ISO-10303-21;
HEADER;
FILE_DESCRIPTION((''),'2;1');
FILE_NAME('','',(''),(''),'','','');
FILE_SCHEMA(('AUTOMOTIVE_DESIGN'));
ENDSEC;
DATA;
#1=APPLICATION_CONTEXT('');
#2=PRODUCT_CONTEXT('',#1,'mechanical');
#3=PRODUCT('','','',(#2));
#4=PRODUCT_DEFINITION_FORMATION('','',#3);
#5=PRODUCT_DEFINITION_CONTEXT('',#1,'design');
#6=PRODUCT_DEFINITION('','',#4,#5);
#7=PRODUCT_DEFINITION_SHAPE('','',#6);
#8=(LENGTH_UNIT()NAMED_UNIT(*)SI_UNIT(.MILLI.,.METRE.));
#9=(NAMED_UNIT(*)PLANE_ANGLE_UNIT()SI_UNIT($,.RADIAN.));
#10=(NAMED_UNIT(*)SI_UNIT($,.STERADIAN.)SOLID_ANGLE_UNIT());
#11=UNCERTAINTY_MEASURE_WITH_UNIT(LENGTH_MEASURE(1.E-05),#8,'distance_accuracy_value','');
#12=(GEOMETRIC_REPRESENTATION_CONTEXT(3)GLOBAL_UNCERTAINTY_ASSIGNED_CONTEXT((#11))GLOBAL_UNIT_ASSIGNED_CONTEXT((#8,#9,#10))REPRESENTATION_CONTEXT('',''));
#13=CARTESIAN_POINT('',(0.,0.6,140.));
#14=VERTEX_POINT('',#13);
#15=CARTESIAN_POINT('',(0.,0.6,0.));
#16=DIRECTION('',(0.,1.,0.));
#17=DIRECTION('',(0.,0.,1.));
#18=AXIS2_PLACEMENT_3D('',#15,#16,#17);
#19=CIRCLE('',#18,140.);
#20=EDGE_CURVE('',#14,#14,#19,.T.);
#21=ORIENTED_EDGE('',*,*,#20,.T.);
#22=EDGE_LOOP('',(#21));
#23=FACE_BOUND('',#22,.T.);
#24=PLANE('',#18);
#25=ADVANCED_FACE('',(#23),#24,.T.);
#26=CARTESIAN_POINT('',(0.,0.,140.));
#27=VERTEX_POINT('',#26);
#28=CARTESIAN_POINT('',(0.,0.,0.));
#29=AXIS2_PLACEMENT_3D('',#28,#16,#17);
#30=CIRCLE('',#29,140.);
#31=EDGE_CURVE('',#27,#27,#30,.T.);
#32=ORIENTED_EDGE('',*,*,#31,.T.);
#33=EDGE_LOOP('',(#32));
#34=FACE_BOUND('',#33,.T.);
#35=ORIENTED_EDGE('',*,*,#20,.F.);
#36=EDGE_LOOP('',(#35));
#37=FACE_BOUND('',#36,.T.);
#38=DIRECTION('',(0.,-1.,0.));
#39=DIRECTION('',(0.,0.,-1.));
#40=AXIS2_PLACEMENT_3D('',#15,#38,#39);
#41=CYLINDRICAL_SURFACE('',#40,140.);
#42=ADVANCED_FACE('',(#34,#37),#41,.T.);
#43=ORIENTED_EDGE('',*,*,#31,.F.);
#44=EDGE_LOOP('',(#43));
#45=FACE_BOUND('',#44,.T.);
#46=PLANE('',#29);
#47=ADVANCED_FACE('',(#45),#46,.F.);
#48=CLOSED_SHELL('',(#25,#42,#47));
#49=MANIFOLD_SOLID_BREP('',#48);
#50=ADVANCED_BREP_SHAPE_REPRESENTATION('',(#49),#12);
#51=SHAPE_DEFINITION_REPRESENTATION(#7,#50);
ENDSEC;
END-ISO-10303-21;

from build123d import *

# Parameters (mm, degrees)
SKETCH1_R           = 140
BOSS_EXTRUDE1_DEPTH = 0.6


with BuildPart() as part:
    # Sketch1 → Boss-Extrude1 (new body)
    with BuildSketch(Plane(origin=(0, 0, 0), x_dir=(1, 0, 0), z_dir=(0, 1, 0))):
        with Locations(Location((0, 0, 0), (0, 0, 270))):
            Circle(SKETCH1_R)
    extrude(amount=BOSS_EXTRUDE1_DEPTH)


solid = part.part
